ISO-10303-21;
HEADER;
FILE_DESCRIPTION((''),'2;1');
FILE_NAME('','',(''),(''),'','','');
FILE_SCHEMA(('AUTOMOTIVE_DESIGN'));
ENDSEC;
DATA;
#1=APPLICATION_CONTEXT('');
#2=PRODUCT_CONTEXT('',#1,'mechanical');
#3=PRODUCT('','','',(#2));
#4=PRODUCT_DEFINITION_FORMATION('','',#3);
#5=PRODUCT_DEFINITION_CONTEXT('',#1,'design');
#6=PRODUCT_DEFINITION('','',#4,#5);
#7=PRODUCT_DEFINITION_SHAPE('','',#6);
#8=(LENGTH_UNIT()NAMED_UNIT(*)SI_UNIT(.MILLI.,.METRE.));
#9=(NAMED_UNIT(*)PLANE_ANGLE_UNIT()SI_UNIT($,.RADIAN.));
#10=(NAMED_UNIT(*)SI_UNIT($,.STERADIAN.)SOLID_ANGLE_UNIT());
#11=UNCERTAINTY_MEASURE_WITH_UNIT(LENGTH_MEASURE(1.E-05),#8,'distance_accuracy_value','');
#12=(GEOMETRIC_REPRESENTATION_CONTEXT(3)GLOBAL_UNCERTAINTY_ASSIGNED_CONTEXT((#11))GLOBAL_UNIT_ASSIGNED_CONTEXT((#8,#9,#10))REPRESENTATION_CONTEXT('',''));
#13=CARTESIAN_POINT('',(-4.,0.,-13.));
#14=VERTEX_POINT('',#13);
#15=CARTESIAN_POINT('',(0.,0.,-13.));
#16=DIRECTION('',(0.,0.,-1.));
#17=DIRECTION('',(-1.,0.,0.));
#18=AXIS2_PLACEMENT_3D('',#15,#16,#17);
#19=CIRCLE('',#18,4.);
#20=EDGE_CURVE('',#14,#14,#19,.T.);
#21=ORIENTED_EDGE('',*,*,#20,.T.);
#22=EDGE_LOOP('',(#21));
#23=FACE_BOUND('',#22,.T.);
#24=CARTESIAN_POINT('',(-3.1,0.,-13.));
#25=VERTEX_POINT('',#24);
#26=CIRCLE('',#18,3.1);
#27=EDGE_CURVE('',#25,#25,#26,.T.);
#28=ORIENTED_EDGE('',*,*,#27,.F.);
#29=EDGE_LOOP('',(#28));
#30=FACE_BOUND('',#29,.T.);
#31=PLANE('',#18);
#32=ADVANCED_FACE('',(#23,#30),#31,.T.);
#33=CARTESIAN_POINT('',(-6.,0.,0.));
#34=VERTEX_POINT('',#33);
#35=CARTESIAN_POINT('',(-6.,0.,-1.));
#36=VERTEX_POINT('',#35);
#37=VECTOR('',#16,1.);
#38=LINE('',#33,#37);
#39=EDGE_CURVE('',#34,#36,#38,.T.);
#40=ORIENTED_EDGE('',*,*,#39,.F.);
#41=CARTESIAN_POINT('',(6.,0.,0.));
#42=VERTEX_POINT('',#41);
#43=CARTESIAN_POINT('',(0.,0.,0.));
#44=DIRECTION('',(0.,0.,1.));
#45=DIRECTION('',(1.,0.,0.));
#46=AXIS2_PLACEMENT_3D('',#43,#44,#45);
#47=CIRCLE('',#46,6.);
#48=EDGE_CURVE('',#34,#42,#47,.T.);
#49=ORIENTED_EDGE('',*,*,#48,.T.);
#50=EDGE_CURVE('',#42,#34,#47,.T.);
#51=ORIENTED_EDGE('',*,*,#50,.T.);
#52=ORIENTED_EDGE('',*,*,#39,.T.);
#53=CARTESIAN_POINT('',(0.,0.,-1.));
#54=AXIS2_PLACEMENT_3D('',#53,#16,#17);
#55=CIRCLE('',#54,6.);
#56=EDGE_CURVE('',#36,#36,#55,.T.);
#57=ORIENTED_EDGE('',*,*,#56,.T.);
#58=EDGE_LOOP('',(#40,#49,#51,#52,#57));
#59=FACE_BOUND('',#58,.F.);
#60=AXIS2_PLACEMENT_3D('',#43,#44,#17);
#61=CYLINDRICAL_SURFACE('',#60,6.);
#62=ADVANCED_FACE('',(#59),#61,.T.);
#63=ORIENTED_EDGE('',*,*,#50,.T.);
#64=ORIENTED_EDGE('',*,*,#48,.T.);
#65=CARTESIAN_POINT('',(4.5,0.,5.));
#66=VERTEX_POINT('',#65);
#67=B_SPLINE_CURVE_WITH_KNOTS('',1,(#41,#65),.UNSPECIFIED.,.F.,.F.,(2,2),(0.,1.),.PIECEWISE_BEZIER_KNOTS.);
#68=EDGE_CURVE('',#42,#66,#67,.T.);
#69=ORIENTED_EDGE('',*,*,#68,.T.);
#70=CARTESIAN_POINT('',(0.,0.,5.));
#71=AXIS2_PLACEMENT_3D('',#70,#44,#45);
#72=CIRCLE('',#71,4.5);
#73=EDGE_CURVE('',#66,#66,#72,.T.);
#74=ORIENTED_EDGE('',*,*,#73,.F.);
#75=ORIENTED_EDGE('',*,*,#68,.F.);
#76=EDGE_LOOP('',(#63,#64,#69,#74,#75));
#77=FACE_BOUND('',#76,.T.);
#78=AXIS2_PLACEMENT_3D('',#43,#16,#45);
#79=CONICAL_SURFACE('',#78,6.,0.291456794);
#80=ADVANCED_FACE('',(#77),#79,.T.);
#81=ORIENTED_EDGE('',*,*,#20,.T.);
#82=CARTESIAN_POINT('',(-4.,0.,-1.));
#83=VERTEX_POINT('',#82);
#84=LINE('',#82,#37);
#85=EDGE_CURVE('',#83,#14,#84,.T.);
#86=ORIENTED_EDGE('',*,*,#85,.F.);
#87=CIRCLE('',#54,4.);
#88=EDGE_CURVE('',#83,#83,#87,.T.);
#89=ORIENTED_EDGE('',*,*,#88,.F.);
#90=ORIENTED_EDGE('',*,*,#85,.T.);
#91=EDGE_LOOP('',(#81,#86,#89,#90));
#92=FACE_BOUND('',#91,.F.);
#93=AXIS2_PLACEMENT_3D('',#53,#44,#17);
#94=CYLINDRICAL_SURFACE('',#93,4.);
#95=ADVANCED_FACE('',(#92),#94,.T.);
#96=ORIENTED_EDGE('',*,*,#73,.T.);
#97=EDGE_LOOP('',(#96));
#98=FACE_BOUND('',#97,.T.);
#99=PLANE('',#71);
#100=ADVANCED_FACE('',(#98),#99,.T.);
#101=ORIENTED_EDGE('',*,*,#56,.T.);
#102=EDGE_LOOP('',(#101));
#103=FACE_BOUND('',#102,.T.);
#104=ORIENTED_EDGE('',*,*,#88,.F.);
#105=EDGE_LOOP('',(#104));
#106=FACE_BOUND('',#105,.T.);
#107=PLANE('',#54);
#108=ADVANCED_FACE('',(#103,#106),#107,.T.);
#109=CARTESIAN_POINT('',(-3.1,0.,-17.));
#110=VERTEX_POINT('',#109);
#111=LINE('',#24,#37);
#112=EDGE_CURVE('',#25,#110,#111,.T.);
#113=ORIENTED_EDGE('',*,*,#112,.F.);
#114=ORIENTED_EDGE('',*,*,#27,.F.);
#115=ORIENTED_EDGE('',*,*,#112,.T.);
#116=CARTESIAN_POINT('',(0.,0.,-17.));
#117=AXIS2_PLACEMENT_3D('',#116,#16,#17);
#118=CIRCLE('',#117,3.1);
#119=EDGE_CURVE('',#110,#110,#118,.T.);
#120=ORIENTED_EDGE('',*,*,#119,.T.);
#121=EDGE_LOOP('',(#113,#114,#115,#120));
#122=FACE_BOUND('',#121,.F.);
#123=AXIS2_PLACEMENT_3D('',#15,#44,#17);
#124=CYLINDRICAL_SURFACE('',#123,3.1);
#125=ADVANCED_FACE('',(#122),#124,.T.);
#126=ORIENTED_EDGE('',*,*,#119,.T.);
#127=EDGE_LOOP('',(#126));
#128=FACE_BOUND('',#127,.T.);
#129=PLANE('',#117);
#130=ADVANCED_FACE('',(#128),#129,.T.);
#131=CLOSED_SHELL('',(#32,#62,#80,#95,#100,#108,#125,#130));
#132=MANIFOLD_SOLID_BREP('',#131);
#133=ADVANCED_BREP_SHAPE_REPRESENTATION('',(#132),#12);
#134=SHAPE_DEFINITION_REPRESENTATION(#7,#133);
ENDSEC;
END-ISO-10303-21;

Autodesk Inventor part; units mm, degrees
ref_plane "YZ Plane" through (0, 0, 0) normal (1, 0, 0) x (0, 1, 0)
ref_plane "XZ Plane" through (0, 0, 0) normal (0, 1, 0) x (-1, 0, 0)
sketch "Sketch2" plane through (0, 0, 0) normal (0, 0, 1) x (1, 0, 0)
  circle A0 centre (0, 0) radius 6
  dimension "d0" = 12
ref_plane "Work Plane1" through (0, 0, 5) normal (0, 0, 1) x (1, 0, 0)
sketch "Sketch3" plane through (0, 0, 5) normal (0, 0, 1) x (1, 0, 0)
  circle A0 centre (0, 0) radius 4.5
  dimension "d2" = 9
loft "Loft1" add profiles "Sketch2", "Sketch3"
sketch "Sketch4" plane through (0, 0, 0) normal (0, 0, -1) x (-1, 0, 0)
  circle A0 centre (0, 0) radius 6 projected
extrude "Extrusion1" add sketch "Sketch4" along normal blind 1
sketch "Sketch5" plane through (0, 0, -1) normal (0, 0, -1) x (-1, 0, 0)
  circle A0 centre (0, 0) radius 4
  dimension "d9" = 8
extrude "Extrusion2" add sketch "Sketch5" along normal blind 12
sketch "Sketch6" plane through (0, 0, -13) normal (0, 0, -1) x (-1, 0, 0)
  circle A0 centre (0, 0) radius 3.1
  dimension "d12" = 6.2
extrude "Extrusion3" add sketch "Sketch6" along normal blind 4
properties part number "driver gear"
